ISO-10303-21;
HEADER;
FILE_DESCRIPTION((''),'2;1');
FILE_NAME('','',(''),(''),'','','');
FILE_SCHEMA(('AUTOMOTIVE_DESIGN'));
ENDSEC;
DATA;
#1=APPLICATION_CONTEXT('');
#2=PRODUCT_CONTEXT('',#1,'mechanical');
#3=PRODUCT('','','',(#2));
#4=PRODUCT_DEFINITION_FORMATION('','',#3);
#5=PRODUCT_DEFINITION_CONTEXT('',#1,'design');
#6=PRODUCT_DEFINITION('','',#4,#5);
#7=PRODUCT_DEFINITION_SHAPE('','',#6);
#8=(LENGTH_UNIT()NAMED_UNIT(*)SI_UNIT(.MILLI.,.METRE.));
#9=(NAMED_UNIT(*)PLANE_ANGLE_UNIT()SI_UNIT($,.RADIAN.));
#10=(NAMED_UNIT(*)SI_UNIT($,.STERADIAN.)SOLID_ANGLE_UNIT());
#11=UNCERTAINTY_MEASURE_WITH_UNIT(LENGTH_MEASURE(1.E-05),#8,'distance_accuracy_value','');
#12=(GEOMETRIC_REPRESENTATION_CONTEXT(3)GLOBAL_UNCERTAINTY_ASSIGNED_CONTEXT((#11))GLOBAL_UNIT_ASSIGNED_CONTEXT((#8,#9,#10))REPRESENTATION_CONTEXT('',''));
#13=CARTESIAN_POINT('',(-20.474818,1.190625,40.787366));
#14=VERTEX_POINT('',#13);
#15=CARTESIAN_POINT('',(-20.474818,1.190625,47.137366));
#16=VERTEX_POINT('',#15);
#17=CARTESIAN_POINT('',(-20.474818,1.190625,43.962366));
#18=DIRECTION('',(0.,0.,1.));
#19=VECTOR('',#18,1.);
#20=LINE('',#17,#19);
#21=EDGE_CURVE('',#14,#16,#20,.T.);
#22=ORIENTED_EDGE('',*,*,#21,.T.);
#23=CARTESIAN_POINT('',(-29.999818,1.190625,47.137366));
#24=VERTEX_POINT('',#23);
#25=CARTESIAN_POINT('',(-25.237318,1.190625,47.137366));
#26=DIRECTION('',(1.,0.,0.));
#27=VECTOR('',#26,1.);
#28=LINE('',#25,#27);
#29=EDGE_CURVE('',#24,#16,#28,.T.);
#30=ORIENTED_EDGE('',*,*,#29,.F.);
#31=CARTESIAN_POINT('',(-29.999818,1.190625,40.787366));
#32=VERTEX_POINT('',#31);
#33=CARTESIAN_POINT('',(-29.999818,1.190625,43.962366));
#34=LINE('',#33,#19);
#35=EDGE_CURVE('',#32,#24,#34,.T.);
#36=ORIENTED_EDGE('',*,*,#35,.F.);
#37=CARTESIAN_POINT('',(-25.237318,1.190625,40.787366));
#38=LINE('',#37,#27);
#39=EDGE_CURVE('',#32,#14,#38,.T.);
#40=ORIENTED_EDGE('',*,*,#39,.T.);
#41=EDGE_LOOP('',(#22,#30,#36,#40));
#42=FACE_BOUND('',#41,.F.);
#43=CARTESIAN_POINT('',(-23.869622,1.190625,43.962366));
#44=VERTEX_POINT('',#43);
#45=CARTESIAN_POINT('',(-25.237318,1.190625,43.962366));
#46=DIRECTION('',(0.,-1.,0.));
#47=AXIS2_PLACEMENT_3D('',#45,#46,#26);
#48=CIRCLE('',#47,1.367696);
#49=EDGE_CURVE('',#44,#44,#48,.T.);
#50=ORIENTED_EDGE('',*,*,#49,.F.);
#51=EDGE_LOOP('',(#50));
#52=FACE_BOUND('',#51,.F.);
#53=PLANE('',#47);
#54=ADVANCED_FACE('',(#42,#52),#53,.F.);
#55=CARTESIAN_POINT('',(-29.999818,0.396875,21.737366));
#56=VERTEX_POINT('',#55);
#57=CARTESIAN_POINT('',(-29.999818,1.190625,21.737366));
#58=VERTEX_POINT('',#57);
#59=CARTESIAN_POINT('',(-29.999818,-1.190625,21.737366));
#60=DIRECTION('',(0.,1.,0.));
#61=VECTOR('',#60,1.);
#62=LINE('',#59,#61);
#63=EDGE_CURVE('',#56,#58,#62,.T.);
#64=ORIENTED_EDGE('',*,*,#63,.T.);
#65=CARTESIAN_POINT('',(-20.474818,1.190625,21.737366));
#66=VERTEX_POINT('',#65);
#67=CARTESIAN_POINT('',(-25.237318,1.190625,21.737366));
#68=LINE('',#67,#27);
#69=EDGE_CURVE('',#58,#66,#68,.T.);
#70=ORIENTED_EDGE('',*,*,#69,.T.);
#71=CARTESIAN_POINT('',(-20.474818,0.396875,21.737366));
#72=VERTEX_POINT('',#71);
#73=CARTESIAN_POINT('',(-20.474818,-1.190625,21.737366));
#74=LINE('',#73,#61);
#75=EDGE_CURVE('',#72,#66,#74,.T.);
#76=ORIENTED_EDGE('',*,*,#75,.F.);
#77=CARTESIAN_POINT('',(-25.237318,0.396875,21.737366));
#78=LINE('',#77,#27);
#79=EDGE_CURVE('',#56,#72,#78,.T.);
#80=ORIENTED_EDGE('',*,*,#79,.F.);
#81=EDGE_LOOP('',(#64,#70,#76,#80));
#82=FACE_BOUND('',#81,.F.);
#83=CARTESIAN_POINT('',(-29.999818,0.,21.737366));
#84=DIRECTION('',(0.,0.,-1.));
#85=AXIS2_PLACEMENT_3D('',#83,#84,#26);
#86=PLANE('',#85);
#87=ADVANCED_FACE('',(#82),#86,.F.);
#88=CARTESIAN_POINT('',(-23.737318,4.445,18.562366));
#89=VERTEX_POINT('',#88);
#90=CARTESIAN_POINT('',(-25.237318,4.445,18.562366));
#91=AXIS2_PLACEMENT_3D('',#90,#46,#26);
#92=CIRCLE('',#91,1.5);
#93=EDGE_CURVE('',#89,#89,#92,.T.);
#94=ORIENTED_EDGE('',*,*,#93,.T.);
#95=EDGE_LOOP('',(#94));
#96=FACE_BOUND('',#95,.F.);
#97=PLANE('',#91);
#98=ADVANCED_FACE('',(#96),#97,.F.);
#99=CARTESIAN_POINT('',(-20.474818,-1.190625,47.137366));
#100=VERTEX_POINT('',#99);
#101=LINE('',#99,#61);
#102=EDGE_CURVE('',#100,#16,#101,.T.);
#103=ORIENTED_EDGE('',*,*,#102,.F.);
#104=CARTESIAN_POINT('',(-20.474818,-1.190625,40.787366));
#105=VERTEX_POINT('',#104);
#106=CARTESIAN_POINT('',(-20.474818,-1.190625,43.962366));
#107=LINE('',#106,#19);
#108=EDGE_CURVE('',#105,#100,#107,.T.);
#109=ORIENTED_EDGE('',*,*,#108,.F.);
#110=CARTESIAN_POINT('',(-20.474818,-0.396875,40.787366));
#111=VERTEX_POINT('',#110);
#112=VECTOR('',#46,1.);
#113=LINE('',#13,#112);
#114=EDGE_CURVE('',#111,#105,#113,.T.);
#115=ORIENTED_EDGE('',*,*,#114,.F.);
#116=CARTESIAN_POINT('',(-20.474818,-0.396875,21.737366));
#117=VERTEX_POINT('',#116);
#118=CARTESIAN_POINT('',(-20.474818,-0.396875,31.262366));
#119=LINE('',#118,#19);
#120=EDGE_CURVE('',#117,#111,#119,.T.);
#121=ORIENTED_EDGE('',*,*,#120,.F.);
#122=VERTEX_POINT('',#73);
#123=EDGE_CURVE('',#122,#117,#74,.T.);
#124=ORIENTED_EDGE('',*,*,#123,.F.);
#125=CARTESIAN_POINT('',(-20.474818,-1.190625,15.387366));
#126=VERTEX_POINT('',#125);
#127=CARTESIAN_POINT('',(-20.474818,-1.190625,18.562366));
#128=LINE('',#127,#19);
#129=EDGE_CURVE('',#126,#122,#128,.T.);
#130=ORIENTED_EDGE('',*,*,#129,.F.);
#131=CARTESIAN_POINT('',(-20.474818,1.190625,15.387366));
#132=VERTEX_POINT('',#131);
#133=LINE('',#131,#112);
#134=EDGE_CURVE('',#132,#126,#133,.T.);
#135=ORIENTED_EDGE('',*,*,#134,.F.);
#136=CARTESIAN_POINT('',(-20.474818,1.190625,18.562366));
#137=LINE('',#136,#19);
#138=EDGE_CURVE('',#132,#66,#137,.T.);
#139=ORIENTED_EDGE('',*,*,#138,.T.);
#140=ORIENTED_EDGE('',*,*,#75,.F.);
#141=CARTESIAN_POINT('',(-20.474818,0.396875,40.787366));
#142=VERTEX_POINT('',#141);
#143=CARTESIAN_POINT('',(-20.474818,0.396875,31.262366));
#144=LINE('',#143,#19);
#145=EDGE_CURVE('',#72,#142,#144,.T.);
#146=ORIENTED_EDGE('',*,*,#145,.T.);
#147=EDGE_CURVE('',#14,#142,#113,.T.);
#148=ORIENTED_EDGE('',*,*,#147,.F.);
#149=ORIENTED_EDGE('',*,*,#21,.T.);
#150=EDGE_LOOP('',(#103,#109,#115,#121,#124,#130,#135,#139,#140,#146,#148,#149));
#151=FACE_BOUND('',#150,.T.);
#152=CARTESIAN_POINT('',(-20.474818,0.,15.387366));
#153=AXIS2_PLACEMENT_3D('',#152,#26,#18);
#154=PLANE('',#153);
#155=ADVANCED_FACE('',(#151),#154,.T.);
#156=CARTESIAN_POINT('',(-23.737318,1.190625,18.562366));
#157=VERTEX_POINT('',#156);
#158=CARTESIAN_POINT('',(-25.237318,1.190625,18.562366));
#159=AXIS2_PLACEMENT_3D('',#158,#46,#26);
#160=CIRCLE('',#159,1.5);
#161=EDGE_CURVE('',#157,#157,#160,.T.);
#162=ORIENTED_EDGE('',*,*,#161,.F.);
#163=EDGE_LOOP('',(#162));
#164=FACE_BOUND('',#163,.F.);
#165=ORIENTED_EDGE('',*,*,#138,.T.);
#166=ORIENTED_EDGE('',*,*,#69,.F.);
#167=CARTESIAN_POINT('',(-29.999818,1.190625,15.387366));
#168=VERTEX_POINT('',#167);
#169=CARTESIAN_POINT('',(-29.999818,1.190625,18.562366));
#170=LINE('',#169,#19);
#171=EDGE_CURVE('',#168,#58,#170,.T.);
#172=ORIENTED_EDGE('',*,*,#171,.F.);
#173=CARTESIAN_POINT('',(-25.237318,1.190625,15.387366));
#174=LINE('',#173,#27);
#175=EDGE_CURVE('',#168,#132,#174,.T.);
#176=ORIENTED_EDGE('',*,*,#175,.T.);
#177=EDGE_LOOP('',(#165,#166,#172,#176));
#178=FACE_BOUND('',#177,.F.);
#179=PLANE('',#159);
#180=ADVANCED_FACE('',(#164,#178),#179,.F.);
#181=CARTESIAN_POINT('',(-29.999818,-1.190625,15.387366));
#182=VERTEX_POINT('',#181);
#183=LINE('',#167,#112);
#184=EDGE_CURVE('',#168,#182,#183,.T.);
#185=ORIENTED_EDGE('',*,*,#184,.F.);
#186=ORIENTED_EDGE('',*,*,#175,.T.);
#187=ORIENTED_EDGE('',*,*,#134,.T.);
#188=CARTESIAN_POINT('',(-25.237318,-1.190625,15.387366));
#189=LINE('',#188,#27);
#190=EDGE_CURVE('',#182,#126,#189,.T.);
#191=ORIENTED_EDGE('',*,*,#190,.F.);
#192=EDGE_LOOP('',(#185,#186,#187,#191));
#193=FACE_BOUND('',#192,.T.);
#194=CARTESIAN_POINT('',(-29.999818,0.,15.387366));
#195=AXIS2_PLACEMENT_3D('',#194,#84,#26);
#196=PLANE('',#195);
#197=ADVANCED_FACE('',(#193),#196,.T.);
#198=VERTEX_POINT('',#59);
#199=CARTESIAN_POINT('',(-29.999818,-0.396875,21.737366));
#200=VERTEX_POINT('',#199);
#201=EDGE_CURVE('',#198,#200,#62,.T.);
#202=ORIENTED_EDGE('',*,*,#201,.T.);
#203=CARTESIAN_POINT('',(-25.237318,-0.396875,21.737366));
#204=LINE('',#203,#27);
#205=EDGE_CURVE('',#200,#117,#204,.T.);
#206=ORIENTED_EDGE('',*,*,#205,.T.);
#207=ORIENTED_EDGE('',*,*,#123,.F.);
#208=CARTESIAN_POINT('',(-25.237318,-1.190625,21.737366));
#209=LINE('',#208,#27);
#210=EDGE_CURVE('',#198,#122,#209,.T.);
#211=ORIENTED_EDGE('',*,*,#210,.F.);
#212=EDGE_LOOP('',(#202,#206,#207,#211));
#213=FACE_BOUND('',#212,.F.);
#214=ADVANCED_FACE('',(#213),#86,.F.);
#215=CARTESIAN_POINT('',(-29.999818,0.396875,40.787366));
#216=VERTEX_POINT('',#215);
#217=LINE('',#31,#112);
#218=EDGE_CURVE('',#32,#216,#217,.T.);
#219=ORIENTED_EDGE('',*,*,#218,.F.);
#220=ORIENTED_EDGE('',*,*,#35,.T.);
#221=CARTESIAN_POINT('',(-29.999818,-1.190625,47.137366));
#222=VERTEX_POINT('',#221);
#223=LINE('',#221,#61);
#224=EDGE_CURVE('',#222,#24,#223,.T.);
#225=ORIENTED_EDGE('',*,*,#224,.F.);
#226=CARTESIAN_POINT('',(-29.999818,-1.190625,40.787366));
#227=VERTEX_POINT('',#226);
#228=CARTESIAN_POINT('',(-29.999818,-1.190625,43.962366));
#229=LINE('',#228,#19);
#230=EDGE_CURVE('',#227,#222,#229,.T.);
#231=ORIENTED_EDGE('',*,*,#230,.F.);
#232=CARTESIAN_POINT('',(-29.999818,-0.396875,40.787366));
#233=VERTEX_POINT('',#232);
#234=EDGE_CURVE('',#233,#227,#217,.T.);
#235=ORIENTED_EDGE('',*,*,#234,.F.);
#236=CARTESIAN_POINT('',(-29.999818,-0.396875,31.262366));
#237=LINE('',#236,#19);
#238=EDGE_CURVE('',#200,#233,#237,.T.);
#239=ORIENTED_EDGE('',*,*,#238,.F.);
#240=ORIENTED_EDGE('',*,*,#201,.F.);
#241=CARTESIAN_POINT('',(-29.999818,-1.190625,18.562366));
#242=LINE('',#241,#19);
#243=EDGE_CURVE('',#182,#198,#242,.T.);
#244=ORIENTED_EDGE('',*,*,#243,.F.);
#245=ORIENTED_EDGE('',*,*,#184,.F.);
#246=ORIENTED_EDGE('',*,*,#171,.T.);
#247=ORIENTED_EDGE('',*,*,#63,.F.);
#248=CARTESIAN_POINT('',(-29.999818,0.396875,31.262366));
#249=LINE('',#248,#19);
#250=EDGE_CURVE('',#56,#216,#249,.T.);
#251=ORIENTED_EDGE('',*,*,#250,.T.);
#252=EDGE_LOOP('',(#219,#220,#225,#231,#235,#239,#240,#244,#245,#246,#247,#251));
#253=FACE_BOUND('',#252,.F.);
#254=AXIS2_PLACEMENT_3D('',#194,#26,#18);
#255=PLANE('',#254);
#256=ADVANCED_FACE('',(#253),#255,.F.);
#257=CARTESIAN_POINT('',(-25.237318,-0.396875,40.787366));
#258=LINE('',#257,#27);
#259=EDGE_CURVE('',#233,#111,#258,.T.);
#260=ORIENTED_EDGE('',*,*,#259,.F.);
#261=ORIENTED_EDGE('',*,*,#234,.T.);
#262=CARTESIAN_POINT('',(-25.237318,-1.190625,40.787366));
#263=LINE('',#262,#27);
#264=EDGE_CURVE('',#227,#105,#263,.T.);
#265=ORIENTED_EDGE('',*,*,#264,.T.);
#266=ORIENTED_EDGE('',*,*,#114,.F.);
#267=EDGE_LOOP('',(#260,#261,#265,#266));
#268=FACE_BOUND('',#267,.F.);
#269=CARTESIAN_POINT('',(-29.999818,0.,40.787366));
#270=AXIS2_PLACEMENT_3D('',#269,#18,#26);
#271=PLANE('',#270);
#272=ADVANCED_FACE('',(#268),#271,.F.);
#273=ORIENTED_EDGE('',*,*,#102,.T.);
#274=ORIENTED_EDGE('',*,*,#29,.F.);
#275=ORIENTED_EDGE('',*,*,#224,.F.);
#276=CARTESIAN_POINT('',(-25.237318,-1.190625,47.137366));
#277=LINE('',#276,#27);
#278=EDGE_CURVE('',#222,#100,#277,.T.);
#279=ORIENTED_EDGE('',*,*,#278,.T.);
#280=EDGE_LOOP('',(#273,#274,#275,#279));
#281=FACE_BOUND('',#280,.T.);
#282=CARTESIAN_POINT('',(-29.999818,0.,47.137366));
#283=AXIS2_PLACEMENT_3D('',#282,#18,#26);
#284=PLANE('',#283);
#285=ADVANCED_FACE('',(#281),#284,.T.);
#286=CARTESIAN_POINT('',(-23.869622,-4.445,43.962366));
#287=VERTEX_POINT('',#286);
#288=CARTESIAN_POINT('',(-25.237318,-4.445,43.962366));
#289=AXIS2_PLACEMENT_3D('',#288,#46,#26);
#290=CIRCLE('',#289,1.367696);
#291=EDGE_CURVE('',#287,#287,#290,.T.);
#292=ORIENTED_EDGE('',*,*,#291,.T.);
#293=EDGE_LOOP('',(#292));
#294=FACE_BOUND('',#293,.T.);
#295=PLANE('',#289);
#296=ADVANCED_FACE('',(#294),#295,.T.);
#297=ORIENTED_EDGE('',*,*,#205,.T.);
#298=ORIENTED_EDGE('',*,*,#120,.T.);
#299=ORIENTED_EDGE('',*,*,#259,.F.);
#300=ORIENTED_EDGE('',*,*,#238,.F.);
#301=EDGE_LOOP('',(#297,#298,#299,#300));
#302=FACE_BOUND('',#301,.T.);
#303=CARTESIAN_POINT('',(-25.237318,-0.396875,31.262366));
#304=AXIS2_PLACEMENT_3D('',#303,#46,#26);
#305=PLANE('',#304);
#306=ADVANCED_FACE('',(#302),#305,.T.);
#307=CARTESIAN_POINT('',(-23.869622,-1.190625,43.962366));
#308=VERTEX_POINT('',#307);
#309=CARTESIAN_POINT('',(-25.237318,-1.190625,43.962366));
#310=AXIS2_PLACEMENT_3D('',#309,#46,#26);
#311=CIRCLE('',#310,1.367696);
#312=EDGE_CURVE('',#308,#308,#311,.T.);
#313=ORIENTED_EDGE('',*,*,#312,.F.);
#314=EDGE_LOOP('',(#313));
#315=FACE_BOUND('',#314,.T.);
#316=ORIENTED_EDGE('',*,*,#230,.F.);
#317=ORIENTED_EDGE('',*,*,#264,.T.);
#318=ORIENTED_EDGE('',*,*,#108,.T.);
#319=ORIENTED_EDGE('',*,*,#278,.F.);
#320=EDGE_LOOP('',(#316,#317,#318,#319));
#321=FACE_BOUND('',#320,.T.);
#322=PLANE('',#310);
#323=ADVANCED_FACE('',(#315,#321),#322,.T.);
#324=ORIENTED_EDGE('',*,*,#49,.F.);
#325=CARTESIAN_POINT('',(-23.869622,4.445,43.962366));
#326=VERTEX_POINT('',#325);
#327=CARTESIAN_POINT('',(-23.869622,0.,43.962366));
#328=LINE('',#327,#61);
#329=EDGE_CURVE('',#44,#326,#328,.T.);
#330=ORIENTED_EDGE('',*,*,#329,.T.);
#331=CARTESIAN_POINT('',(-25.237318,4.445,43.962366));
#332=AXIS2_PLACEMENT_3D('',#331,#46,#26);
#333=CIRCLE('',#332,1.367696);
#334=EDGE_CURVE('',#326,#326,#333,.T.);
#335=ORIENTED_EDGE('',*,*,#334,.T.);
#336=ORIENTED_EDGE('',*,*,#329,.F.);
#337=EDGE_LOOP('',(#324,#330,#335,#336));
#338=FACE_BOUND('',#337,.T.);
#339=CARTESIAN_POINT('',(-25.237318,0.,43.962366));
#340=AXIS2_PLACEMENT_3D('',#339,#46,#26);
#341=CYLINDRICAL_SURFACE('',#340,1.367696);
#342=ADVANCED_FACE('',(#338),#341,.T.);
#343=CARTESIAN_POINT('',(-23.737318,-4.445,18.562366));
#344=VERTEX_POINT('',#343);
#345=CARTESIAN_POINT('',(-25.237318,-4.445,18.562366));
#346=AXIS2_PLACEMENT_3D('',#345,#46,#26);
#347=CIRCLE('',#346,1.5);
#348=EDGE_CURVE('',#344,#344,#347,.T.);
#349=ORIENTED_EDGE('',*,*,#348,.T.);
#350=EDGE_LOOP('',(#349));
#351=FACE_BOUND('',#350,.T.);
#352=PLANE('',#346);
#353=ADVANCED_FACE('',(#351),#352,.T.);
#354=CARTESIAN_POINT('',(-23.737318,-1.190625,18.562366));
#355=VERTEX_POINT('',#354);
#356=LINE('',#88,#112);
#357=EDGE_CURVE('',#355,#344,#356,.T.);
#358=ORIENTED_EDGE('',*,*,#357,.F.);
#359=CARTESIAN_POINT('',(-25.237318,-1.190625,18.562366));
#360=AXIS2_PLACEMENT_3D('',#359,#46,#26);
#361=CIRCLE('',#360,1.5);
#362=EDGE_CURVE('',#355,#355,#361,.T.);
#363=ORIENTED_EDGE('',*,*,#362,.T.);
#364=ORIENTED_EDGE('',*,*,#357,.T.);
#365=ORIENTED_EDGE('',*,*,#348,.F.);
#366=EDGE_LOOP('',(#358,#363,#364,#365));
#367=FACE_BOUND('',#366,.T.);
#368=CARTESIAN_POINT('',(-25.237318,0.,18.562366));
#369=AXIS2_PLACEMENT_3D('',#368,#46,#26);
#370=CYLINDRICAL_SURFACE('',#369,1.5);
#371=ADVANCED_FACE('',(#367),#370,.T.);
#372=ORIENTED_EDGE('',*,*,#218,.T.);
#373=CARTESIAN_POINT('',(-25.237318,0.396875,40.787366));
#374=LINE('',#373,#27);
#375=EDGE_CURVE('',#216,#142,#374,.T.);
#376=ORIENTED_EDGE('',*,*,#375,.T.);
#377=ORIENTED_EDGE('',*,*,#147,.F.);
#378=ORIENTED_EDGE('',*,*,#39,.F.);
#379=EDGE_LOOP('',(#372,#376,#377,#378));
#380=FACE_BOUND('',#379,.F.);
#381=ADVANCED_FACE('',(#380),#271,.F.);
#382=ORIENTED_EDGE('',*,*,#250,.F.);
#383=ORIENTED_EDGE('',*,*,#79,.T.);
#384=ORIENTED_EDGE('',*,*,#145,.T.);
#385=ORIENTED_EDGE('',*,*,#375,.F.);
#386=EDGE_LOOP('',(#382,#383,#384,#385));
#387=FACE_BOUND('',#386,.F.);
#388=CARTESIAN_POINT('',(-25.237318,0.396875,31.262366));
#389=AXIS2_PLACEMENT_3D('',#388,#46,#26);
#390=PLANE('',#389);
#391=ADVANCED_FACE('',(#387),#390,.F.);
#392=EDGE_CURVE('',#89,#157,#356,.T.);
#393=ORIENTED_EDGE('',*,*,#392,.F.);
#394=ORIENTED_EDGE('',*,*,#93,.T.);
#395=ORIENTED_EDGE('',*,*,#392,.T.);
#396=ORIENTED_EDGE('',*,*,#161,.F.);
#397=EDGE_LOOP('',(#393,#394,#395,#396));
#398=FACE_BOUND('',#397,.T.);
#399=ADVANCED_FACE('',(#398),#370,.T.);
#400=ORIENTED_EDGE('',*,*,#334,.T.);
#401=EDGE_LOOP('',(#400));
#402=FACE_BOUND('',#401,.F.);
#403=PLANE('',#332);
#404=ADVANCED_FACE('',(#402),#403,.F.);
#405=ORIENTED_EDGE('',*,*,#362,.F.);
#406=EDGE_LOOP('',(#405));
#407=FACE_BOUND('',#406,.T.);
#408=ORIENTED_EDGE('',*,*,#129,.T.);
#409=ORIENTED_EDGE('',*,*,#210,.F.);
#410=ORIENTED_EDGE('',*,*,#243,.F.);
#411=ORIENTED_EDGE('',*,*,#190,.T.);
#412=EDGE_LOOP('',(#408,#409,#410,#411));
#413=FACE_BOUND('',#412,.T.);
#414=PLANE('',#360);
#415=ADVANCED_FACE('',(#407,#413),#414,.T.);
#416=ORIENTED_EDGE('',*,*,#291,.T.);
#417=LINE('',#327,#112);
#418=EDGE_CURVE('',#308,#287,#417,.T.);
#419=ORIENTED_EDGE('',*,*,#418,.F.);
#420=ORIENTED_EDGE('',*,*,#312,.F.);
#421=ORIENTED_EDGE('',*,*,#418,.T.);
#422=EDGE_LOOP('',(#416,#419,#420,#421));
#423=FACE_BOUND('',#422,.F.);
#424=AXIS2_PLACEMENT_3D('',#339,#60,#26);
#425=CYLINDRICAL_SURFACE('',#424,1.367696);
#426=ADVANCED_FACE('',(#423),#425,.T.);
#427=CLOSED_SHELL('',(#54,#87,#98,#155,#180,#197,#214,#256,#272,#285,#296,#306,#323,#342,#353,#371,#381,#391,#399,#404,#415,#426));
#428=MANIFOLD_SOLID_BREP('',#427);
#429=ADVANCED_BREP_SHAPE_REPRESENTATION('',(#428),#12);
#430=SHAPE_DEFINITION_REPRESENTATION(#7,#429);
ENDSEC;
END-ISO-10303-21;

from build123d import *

# Parameters (mm, degrees)
F0_W     = 9.525
F0_H     = 19.05
F1_DEPTH = 0.396875
F0_H_2   = 6.35
F0_R     = 1.367696
F0_R_2   = 1.5
F2_DEPTH = 1.190625
F3_DEPTH = 4.445


with BuildPart() as f1:
    # F0 (on Front) → F1 (new body, symmetric)
    with BuildSketch(Plane.XZ):
        with Locations((-25.237318, 31.262366)):
            Rectangle(F0_W, F0_H)
    extrude(amount=F1_DEPTH, both=True)

    # F0 (on Front) → F2 (join, symmetric)
    with BuildSketch(Plane.XZ):
        with Locations((-25.237318, 43.962366)):
            Rectangle(F0_W, F0_H_2)
        with Locations((-25.237318, 43.962366)):
            Circle(F0_R, mode=Mode.SUBTRACT)
        with Locations((-25.237318, 18.562366)):
            Rectangle(F0_W, F0_H_2)
        with Locations((-25.237318, 18.562366)):
            Circle(F0_R_2, mode=Mode.SUBTRACT)
    extrude(amount=F2_DEPTH, both=True)

    # F0 (on Front) → F3 (join, symmetric)
    with BuildSketch(Plane.XZ):
        with Locations((-25.237318, 43.962366)):
            Circle(F0_R)
        with Locations((-25.237318, 18.562366)):
            Circle(F0_R_2)
    extrude(amount=F3_DEPTH, both=True)


solid = f1.part
